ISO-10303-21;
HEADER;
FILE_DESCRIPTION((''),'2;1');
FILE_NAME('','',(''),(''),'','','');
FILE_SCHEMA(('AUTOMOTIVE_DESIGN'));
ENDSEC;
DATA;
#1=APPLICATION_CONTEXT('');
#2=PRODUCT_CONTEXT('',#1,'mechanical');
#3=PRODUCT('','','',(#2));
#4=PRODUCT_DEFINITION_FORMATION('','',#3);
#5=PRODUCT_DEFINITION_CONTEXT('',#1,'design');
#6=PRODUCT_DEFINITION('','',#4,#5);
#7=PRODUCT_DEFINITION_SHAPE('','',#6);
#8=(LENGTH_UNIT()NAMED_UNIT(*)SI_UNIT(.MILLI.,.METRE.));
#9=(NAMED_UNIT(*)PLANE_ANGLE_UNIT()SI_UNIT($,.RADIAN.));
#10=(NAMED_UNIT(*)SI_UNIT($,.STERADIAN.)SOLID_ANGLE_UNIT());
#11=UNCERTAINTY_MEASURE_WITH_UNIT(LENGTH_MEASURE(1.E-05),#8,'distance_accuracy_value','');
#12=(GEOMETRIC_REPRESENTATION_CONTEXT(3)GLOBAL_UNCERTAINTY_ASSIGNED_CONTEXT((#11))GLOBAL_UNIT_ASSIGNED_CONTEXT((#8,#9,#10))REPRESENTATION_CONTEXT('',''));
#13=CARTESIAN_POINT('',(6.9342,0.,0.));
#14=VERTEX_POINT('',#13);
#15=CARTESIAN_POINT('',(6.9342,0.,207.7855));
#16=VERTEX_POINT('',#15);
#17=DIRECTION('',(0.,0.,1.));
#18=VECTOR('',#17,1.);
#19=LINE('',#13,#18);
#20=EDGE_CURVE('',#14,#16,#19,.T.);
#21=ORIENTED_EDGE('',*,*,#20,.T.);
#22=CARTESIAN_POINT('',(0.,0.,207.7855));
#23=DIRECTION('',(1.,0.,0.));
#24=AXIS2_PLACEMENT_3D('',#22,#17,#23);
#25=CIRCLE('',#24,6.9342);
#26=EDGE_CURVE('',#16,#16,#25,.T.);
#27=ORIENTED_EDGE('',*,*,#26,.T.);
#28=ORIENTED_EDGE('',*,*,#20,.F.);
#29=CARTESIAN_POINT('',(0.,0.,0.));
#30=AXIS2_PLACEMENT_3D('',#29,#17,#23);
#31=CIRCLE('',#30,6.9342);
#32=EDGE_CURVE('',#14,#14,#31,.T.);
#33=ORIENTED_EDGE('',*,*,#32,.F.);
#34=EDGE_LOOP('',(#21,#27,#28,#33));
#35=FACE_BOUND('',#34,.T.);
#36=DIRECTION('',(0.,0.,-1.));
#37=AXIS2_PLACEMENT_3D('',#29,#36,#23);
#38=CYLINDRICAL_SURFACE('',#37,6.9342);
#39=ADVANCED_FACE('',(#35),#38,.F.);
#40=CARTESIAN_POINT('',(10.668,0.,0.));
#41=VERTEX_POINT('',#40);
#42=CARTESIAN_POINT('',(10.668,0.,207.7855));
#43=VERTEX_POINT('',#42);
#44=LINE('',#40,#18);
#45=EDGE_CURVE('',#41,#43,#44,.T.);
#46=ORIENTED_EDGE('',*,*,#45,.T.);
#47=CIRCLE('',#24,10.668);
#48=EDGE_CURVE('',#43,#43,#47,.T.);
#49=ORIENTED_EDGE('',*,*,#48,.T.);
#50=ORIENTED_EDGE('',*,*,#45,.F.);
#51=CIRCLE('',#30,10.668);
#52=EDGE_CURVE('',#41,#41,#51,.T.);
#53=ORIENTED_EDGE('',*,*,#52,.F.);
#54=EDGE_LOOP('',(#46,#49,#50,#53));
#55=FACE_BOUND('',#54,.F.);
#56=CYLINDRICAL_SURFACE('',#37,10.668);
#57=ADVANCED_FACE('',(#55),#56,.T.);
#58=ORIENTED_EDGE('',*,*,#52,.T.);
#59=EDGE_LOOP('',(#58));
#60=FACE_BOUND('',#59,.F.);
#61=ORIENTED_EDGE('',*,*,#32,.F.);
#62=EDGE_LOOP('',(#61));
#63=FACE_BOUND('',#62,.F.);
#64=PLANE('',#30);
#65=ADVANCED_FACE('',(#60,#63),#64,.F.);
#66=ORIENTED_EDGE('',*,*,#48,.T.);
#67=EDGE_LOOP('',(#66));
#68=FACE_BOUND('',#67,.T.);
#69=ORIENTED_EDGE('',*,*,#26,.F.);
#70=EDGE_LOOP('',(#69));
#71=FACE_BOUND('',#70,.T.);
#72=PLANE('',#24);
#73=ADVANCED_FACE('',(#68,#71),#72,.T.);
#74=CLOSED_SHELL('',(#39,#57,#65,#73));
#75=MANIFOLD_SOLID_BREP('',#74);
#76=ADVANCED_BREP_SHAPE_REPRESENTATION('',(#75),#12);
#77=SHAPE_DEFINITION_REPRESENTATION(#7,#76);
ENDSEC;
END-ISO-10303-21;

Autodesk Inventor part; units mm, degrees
ref_plane "YZ Plane" through (0, 0, 0) normal (1, 0, 0) x (0, 1, 0)
ref_plane "Start Plane" through (0, 0, 0) normal (0, 0, 1) x (1, 0, 0)
ref_plane "End Plane" through (0, 0, 207.7855) normal (0, 0, 1) x (1, 0, 0)
sketch "Sketch" plane through (0, 0, 0) normal (0, 0, 1) x (1, 0, 0)
  circle A0 centre (0, 0) radius 6.9342
  circle A1 centre (0, 0) radius 10.668
  dimension "d0" = 21.336
  dimension "d1" = 3.7338
extrude "Body" add sketch "Sketch" along normal up to surface (207.7855 mm away) from surface at 0
sketch "Sketch3" plane through (0, 0, 0) normal (0, 0, 1) x (1, 0, 0)
  line L0 (0, 0) -> (10, 0)
ref_plane "Work Plane3" through (0, 0, 0) normal (0, -1, 0) x (1, 0, 0)
sketch "Sketch4" plane through (0, 0, 0) normal (0, -1, 0) x (1, 0, 0)
  line L0 (-2, 0) -> (12, 0)
  line L1 (-2, 207.7855) -> (12, 207.7855)
  dimension "d7" = 207.7855
equation "\"d0\" = G_H"
equation "\"d1\" = G_T"
equation "\"d2\" = G_L"
equation "\"G_H\" = 21.336"
equation "\"G_T\" = 3.7338"
equation "\"G_L\" = d7"
equation "\"G_OFFSET_START\" = 0"
equation "\"G_OFFSET_END\" = 0"
equation "\"d5\" = G_OFFSET_END + B_L"
equation "\"B_L\" = 207.78546"
properties part number "ANSI - 1/2 x 0.147 - 8.181" material "Steel, Mild"
